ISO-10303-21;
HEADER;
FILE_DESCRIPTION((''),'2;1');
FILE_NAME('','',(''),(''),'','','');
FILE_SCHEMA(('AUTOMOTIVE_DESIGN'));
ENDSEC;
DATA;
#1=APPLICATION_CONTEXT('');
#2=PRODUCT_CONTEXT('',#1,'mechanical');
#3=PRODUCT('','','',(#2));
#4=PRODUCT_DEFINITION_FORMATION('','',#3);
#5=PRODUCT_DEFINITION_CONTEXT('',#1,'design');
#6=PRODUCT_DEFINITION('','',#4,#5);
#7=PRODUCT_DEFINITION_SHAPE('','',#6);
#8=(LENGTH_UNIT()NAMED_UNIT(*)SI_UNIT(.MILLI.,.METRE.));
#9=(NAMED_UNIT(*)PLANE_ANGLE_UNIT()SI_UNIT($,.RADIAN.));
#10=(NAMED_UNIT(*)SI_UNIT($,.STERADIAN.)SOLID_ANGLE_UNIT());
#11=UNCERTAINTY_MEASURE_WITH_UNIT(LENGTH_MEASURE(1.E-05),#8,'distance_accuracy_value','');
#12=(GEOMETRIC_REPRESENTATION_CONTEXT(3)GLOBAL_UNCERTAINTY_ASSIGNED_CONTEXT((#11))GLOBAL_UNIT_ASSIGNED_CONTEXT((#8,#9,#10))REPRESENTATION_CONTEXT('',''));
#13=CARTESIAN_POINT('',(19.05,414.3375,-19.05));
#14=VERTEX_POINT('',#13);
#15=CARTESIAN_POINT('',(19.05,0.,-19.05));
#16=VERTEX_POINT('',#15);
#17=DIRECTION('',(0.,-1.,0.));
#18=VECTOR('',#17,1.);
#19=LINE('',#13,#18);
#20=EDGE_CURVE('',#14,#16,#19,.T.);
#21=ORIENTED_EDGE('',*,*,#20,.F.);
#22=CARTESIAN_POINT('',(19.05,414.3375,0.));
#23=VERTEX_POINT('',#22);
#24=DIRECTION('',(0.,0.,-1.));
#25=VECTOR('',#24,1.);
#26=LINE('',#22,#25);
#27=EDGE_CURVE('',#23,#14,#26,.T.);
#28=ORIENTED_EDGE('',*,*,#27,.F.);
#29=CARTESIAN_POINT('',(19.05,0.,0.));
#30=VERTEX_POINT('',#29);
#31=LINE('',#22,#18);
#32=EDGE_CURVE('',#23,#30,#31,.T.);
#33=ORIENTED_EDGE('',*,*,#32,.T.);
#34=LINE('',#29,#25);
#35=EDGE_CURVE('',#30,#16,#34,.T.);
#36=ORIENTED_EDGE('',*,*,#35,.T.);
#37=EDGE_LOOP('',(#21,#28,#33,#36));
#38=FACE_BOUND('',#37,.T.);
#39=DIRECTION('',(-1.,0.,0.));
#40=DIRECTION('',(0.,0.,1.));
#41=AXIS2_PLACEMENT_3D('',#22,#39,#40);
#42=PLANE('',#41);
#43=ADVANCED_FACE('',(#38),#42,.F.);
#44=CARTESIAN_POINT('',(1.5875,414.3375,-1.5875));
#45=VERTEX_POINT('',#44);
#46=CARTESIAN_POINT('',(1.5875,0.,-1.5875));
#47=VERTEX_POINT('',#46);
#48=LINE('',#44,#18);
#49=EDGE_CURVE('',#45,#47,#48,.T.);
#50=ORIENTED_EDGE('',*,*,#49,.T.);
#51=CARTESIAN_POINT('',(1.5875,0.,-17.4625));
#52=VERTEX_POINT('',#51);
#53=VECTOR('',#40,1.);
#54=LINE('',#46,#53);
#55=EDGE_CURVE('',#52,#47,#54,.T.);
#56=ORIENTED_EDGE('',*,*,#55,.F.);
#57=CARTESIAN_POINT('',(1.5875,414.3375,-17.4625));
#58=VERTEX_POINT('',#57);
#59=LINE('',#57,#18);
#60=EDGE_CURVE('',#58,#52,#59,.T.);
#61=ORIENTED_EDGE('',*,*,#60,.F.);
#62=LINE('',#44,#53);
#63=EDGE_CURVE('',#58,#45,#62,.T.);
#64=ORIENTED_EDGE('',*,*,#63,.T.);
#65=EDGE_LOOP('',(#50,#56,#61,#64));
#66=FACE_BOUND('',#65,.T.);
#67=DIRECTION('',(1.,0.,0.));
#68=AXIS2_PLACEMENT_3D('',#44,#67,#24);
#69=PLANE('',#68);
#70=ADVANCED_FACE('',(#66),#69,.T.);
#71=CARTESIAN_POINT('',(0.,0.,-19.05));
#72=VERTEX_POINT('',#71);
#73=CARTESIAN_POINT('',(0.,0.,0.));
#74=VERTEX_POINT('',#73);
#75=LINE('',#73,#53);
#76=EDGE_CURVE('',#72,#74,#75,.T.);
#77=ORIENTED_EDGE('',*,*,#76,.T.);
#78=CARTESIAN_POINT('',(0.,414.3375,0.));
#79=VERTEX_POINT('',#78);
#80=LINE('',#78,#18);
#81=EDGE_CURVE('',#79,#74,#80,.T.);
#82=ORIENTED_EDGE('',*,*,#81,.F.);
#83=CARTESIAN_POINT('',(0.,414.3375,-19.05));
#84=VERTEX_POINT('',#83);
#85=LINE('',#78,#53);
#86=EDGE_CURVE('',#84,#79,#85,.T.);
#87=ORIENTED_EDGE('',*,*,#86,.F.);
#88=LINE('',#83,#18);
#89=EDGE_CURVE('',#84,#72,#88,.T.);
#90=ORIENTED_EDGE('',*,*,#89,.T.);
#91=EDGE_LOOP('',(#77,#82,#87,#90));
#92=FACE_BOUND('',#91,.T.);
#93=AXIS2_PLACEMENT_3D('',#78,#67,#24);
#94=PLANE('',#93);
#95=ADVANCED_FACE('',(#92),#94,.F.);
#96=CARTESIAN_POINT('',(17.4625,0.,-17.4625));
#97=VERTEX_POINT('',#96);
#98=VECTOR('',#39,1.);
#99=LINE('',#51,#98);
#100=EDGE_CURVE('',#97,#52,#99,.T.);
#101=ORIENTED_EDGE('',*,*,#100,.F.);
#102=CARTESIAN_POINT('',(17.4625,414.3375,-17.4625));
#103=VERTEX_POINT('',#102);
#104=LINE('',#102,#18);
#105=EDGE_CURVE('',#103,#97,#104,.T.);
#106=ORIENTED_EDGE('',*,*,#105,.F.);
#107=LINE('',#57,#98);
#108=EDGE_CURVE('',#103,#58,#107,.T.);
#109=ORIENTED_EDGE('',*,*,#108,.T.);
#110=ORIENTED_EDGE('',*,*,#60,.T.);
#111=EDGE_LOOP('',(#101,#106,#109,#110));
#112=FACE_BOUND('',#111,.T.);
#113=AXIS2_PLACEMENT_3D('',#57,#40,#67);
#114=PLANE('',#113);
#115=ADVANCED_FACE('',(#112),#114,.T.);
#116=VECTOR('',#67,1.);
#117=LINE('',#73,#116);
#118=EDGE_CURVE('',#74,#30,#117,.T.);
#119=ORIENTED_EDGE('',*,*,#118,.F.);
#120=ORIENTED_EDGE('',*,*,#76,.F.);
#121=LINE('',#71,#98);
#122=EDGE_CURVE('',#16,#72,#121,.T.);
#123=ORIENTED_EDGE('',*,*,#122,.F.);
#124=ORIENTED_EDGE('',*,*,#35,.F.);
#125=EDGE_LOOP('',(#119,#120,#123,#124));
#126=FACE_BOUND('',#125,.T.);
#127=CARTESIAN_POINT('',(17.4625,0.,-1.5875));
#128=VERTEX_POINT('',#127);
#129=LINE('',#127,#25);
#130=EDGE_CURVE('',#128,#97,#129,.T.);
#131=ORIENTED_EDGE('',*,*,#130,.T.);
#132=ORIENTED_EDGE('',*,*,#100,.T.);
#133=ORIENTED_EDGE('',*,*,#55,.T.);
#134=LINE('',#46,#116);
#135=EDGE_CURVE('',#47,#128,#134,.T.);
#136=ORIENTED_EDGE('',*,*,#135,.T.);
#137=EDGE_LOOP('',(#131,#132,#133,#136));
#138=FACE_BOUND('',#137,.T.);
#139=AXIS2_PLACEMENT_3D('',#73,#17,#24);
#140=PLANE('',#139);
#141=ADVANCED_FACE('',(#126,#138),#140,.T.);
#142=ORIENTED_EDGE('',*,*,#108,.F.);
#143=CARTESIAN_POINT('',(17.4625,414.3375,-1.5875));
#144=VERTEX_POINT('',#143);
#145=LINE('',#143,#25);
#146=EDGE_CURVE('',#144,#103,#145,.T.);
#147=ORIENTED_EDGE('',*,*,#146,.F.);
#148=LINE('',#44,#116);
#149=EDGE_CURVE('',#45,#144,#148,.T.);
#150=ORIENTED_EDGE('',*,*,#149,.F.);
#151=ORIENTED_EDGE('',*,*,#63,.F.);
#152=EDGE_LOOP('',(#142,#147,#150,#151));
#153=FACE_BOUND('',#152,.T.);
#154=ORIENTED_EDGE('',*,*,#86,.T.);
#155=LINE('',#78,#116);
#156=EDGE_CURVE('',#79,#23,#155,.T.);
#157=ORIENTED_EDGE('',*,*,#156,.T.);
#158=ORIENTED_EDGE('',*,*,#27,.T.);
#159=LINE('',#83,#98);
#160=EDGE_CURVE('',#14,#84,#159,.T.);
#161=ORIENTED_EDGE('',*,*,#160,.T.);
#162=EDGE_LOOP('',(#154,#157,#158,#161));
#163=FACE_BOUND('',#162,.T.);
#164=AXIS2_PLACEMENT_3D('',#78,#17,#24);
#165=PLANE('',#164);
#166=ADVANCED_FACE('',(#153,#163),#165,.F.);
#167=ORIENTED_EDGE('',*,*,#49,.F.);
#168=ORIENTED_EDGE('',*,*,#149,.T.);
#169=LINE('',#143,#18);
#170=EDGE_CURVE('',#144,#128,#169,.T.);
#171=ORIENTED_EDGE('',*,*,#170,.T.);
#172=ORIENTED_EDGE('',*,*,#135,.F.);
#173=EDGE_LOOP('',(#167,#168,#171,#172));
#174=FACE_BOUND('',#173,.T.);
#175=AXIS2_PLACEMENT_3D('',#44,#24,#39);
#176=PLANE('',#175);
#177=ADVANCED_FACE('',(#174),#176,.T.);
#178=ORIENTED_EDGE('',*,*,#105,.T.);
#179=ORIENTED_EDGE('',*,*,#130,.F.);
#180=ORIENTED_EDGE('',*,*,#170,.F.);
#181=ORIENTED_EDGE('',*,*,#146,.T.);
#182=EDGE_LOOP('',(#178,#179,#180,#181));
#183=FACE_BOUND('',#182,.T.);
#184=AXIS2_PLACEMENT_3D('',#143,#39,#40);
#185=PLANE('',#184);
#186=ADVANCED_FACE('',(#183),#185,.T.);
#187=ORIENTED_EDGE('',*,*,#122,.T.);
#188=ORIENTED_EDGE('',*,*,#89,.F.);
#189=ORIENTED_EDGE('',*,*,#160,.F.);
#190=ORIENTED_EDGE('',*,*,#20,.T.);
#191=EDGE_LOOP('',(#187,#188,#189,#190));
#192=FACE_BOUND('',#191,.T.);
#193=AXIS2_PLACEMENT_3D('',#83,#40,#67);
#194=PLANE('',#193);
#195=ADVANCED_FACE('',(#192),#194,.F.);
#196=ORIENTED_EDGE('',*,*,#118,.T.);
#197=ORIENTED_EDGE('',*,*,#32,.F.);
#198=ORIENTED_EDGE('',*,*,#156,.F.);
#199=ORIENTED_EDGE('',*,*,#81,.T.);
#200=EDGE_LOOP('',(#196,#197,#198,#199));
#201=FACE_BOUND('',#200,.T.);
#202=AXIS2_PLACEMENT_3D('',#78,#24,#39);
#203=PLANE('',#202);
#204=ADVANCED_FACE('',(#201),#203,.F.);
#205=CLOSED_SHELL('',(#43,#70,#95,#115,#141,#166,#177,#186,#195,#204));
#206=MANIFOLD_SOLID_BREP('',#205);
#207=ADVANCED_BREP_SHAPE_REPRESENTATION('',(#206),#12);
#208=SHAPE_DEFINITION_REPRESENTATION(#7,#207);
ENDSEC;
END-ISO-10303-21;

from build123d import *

# Parameters (mm, degrees)
SKETCH2_W           = 19.05
SKETCH2_H           = 19.05
SKETCH2_W_2         = 15.875
SKETCH2_H_2         = 15.875
BOSS_EXTRUDE1_DEPTH = 414.3375


with BuildPart() as part:
    # Sketch2 → Boss-Extrude1 (new body)
    with BuildSketch(Plane(origin=(0, 0, 0), x_dir=(1, 0, 0), z_dir=(0, 1, 0))):
        with Locations((9.525, 9.525)):
            Rectangle(SKETCH2_W, SKETCH2_H)
        with Locations((9.525, 9.525)):
            Rectangle(SKETCH2_W_2, SKETCH2_H_2, mode=Mode.SUBTRACT)
    extrude(amount=BOSS_EXTRUDE1_DEPTH)


solid = part.part
